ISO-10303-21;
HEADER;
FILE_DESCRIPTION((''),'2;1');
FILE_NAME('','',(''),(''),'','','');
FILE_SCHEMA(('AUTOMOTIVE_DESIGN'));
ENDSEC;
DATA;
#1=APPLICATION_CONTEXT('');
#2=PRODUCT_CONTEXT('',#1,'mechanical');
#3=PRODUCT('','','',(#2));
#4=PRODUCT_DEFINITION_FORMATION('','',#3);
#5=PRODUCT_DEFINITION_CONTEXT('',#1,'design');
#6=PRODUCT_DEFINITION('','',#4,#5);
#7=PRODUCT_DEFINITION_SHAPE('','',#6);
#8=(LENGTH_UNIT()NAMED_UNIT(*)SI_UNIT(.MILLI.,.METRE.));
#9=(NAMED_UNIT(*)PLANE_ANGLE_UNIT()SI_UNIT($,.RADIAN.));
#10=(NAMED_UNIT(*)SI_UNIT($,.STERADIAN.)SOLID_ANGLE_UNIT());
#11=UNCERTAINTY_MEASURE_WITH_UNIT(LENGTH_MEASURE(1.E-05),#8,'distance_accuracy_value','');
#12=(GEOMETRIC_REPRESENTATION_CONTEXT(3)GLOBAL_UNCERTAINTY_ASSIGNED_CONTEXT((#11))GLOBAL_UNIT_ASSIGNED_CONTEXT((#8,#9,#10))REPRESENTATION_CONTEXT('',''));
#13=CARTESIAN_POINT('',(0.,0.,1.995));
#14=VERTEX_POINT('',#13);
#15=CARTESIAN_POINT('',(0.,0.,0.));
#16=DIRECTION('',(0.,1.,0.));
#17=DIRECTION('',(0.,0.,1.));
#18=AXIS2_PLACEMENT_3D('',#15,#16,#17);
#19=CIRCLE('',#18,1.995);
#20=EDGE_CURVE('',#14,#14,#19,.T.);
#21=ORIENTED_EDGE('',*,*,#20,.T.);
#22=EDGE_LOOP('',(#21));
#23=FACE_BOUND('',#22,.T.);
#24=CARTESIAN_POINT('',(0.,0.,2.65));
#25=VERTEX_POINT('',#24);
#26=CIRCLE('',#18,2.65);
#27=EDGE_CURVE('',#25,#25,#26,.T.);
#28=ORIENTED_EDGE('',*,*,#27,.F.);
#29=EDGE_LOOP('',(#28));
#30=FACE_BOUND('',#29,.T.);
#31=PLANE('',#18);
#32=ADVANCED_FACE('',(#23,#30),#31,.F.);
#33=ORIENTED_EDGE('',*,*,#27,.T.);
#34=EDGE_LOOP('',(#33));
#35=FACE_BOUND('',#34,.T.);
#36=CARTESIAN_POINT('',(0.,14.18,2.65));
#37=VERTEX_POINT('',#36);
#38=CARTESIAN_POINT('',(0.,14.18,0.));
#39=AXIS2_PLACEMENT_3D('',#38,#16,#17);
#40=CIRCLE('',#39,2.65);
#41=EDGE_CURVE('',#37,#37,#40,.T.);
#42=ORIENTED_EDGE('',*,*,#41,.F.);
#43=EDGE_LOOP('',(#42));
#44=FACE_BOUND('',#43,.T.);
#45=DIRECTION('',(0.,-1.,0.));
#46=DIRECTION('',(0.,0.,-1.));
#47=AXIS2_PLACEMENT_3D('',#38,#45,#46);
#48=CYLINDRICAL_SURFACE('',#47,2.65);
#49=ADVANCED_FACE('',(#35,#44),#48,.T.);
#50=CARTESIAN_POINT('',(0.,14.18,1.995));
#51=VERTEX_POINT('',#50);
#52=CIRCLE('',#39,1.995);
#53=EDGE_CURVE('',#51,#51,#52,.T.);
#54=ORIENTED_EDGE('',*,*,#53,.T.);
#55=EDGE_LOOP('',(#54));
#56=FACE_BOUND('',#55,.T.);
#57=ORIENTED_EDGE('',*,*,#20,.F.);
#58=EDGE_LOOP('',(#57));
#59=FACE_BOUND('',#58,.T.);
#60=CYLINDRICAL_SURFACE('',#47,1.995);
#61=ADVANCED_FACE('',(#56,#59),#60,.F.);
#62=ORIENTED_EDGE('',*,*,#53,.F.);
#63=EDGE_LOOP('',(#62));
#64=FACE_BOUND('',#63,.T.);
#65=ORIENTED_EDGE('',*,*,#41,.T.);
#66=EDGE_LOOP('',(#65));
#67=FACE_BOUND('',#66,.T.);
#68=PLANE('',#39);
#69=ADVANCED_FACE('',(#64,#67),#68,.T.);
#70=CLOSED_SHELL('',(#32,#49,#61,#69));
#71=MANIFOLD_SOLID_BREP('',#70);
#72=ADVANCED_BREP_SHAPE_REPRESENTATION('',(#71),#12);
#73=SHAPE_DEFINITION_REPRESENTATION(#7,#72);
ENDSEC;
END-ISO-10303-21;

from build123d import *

# Parameters (mm, degrees)
SKETCH1_R           = 2.65
SKETCH1_R_2         = 1.995
BOSS_EXTRUDE1_DEPTH = 14.18


with BuildPart() as part:
    # Sketch1 → Boss-Extrude1 (new body)
    with BuildSketch(Plane(origin=(0, 0, 0), x_dir=(1, 0, 0), z_dir=(0, 1, 0))):
        with Locations(Location((0, 0, 0), (0, 0, 270))):
            Circle(SKETCH1_R)
        with Locations(Location((0, 0, 0), (0, 0, 270))):
            Circle(SKETCH1_R_2, mode=Mode.SUBTRACT)
    extrude(amount=BOSS_EXTRUDE1_DEPTH)


solid = part.part
